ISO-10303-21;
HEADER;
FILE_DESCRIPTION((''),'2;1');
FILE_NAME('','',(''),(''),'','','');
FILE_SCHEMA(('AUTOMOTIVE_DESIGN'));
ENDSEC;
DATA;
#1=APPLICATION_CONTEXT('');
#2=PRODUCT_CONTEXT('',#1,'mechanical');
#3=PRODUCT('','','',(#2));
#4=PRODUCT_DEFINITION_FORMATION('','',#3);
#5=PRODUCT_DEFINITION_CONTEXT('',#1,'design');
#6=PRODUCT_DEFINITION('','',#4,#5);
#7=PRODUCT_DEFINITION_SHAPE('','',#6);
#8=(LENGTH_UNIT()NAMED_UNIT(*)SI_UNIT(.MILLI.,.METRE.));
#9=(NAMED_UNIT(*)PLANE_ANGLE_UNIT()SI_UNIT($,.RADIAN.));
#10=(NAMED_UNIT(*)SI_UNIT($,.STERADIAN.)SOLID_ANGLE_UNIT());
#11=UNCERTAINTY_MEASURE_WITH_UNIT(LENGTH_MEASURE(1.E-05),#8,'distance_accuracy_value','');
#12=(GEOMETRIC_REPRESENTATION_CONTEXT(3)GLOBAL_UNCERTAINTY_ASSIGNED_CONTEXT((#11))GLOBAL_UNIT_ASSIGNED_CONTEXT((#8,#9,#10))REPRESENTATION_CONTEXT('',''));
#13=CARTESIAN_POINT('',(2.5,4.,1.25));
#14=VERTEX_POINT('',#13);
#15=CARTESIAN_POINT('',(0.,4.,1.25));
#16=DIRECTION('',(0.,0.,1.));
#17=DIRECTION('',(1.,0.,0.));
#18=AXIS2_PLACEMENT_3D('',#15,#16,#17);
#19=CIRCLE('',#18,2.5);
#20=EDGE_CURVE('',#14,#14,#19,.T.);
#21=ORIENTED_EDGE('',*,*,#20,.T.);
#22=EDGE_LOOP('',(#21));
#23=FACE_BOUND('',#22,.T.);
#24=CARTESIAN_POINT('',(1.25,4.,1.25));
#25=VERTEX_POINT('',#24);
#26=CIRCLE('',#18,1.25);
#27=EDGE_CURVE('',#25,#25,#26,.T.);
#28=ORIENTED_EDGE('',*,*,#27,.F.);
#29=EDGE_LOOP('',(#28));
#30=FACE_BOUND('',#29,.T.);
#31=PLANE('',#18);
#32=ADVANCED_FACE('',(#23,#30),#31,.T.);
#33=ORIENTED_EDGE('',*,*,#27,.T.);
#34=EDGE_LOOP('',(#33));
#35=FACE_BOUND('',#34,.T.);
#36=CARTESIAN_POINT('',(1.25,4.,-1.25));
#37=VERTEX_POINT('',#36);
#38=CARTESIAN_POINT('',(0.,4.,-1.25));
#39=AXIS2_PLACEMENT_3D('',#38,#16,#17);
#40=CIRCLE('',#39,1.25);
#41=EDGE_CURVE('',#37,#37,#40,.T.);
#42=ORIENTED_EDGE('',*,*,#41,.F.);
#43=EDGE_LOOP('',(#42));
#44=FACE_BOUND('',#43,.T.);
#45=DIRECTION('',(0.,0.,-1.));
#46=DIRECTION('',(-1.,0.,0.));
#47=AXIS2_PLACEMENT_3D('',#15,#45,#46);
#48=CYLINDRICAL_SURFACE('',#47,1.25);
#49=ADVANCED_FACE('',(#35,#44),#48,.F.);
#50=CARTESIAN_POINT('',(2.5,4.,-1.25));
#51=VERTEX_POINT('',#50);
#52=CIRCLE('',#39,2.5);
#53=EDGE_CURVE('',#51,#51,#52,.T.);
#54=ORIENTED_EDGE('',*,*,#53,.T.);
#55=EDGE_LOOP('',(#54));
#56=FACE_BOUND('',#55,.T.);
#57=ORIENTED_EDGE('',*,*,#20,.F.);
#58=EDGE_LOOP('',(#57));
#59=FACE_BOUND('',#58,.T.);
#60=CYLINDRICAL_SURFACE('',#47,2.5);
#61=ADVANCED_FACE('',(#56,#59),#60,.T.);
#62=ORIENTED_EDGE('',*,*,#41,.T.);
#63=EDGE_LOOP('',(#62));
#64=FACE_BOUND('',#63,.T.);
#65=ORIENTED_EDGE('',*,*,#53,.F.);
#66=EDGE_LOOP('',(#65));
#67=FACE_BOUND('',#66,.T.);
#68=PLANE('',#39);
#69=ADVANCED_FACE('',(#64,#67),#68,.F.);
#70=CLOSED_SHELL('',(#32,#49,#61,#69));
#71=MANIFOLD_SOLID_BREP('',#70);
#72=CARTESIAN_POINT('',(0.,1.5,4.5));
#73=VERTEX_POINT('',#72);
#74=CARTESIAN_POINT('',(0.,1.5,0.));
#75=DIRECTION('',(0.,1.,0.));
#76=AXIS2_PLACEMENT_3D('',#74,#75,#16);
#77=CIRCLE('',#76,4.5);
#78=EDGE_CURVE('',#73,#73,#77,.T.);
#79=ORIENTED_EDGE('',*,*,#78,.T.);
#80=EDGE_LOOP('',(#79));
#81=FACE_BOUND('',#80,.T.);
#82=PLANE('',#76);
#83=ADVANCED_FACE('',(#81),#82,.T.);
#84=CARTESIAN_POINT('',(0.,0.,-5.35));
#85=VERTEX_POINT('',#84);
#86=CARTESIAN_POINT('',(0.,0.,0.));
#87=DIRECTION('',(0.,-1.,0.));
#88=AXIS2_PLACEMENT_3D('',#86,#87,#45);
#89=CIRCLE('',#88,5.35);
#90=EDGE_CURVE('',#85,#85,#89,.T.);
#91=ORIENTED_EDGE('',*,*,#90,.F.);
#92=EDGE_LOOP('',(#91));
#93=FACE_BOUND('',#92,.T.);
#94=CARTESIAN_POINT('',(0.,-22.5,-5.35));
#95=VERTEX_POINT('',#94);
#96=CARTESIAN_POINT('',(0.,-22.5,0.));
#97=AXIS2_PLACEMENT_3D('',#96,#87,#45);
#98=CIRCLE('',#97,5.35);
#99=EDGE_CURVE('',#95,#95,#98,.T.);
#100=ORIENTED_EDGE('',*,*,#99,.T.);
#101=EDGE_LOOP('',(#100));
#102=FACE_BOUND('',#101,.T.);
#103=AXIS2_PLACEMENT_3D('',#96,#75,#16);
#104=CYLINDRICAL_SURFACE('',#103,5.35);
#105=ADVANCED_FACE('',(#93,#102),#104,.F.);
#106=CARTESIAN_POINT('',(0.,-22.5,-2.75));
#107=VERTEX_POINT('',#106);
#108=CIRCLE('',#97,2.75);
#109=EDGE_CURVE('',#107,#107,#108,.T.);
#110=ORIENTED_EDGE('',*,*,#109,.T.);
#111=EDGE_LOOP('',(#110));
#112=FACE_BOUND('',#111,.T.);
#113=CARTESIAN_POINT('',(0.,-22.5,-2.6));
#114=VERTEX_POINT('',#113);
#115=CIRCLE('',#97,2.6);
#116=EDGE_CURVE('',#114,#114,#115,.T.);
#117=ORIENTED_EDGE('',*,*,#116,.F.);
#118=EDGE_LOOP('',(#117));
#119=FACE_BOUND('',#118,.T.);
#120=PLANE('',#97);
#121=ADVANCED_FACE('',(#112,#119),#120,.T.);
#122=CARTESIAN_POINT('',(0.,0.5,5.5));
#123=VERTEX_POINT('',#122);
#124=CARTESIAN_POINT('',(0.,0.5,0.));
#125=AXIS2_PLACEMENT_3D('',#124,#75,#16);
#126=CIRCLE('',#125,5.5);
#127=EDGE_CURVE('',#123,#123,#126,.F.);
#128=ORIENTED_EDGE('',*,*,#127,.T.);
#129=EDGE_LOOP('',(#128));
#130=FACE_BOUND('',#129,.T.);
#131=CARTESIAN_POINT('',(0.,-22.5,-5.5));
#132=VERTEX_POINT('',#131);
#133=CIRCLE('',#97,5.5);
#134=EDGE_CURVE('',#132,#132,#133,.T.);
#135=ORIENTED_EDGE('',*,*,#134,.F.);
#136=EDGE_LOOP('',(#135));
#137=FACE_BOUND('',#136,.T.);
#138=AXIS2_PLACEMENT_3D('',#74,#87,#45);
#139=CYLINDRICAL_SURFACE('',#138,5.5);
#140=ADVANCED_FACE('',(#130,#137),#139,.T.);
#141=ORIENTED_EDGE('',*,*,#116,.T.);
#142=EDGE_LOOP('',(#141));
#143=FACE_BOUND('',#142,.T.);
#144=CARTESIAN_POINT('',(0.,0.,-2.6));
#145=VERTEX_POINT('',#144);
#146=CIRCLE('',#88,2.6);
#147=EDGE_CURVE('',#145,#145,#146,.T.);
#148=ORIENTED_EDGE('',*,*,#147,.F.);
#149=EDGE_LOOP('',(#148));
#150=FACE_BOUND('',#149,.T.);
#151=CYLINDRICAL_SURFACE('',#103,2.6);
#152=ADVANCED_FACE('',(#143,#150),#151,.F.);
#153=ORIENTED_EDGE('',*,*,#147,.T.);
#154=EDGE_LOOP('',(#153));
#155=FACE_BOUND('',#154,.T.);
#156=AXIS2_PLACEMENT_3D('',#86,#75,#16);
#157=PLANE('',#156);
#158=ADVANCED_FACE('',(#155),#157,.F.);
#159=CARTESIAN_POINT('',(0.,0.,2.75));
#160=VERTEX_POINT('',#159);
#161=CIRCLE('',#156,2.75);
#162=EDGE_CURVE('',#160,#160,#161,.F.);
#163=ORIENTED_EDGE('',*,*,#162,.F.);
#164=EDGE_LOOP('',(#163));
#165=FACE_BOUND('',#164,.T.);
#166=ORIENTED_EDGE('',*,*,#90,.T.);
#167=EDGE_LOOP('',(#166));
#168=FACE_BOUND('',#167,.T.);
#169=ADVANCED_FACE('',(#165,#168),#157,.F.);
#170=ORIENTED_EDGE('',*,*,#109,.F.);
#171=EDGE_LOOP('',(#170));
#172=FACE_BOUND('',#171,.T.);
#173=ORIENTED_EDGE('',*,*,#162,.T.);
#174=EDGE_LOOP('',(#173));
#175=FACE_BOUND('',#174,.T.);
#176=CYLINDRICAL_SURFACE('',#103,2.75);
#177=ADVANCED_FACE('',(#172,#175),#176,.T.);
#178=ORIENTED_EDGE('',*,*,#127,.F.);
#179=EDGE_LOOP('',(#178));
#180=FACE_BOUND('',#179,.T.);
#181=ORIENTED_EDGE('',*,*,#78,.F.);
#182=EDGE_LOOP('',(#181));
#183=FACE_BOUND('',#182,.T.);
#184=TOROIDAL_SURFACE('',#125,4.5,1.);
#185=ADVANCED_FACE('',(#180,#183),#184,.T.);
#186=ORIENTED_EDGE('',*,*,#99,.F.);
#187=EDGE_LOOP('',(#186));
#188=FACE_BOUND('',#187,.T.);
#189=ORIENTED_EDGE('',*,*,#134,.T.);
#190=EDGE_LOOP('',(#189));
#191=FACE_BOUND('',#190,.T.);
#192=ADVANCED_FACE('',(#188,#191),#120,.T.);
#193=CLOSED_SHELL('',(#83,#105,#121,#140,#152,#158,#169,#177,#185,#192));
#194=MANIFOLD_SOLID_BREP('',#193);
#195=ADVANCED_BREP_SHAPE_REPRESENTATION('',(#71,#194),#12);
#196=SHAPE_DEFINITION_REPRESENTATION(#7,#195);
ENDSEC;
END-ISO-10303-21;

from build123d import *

# Parameters (mm, degrees)
SKETCH1_R           = 5.5
BOSS_EXTRUDE1_DEPTH = 1.5
SKETCH2_R           = 2.5
SKETCH2_R_2         = 1.25
BOSS_EXTRUDE2_DEPTH = 1.25
FILLET1_R           = 1
SKETCH3_R           = 5.5
SKETCH3_R_2         = 5.35
BOSS_EXTRUDE3_DEPTH = 22.5
SKETCH4_R           = 2.75
SKETCH4_R_2         = 2.6
BOSS_EXTRUDE4_DEPTH = 22.5


with BuildPart() as part:
    # Sketch1 → Boss-Extrude1 (new body)
    with BuildSketch(Plane(origin=(0, 0, 0), x_dir=(1, 0, 0), z_dir=(0, 1, 0))):
        Circle(SKETCH1_R)
    extrude(amount=BOSS_EXTRUDE1_DEPTH)

    # Fillet1
    fillet1_edges = [part.edges().sort_by_distance(p)[0] for p in [
        (-5.5, 1.5, 0),
    ]]
    fillet(fillet1_edges, radius=FILLET1_R)

    # Sketch3 → Boss-Extrude3 (add)
    with BuildSketch(Plane.XZ):
        Circle(SKETCH3_R)
        Circle(SKETCH3_R_2, mode=Mode.SUBTRACT)
    extrude(amount=BOSS_EXTRUDE3_DEPTH)

    # Sketch4 → Boss-Extrude4 (add)
    with BuildSketch(Plane.XZ):
        Circle(SKETCH4_R)
        Circle(SKETCH4_R_2, mode=Mode.SUBTRACT)
    extrude(amount=BOSS_EXTRUDE4_DEPTH)


with BuildPart() as body_2:
    # Sketch2 → Boss-Extrude2 (new body, symmetric)
    with BuildSketch(Plane.XY):
        with Locations((0, 4)):
            Circle(SKETCH2_R)
        with Locations((0, 4)):
            Circle(SKETCH2_R_2, mode=Mode.SUBTRACT)
    extrude(amount=BOSS_EXTRUDE2_DEPTH, both=True)


solid = Compound([part.part, body_2.part])
